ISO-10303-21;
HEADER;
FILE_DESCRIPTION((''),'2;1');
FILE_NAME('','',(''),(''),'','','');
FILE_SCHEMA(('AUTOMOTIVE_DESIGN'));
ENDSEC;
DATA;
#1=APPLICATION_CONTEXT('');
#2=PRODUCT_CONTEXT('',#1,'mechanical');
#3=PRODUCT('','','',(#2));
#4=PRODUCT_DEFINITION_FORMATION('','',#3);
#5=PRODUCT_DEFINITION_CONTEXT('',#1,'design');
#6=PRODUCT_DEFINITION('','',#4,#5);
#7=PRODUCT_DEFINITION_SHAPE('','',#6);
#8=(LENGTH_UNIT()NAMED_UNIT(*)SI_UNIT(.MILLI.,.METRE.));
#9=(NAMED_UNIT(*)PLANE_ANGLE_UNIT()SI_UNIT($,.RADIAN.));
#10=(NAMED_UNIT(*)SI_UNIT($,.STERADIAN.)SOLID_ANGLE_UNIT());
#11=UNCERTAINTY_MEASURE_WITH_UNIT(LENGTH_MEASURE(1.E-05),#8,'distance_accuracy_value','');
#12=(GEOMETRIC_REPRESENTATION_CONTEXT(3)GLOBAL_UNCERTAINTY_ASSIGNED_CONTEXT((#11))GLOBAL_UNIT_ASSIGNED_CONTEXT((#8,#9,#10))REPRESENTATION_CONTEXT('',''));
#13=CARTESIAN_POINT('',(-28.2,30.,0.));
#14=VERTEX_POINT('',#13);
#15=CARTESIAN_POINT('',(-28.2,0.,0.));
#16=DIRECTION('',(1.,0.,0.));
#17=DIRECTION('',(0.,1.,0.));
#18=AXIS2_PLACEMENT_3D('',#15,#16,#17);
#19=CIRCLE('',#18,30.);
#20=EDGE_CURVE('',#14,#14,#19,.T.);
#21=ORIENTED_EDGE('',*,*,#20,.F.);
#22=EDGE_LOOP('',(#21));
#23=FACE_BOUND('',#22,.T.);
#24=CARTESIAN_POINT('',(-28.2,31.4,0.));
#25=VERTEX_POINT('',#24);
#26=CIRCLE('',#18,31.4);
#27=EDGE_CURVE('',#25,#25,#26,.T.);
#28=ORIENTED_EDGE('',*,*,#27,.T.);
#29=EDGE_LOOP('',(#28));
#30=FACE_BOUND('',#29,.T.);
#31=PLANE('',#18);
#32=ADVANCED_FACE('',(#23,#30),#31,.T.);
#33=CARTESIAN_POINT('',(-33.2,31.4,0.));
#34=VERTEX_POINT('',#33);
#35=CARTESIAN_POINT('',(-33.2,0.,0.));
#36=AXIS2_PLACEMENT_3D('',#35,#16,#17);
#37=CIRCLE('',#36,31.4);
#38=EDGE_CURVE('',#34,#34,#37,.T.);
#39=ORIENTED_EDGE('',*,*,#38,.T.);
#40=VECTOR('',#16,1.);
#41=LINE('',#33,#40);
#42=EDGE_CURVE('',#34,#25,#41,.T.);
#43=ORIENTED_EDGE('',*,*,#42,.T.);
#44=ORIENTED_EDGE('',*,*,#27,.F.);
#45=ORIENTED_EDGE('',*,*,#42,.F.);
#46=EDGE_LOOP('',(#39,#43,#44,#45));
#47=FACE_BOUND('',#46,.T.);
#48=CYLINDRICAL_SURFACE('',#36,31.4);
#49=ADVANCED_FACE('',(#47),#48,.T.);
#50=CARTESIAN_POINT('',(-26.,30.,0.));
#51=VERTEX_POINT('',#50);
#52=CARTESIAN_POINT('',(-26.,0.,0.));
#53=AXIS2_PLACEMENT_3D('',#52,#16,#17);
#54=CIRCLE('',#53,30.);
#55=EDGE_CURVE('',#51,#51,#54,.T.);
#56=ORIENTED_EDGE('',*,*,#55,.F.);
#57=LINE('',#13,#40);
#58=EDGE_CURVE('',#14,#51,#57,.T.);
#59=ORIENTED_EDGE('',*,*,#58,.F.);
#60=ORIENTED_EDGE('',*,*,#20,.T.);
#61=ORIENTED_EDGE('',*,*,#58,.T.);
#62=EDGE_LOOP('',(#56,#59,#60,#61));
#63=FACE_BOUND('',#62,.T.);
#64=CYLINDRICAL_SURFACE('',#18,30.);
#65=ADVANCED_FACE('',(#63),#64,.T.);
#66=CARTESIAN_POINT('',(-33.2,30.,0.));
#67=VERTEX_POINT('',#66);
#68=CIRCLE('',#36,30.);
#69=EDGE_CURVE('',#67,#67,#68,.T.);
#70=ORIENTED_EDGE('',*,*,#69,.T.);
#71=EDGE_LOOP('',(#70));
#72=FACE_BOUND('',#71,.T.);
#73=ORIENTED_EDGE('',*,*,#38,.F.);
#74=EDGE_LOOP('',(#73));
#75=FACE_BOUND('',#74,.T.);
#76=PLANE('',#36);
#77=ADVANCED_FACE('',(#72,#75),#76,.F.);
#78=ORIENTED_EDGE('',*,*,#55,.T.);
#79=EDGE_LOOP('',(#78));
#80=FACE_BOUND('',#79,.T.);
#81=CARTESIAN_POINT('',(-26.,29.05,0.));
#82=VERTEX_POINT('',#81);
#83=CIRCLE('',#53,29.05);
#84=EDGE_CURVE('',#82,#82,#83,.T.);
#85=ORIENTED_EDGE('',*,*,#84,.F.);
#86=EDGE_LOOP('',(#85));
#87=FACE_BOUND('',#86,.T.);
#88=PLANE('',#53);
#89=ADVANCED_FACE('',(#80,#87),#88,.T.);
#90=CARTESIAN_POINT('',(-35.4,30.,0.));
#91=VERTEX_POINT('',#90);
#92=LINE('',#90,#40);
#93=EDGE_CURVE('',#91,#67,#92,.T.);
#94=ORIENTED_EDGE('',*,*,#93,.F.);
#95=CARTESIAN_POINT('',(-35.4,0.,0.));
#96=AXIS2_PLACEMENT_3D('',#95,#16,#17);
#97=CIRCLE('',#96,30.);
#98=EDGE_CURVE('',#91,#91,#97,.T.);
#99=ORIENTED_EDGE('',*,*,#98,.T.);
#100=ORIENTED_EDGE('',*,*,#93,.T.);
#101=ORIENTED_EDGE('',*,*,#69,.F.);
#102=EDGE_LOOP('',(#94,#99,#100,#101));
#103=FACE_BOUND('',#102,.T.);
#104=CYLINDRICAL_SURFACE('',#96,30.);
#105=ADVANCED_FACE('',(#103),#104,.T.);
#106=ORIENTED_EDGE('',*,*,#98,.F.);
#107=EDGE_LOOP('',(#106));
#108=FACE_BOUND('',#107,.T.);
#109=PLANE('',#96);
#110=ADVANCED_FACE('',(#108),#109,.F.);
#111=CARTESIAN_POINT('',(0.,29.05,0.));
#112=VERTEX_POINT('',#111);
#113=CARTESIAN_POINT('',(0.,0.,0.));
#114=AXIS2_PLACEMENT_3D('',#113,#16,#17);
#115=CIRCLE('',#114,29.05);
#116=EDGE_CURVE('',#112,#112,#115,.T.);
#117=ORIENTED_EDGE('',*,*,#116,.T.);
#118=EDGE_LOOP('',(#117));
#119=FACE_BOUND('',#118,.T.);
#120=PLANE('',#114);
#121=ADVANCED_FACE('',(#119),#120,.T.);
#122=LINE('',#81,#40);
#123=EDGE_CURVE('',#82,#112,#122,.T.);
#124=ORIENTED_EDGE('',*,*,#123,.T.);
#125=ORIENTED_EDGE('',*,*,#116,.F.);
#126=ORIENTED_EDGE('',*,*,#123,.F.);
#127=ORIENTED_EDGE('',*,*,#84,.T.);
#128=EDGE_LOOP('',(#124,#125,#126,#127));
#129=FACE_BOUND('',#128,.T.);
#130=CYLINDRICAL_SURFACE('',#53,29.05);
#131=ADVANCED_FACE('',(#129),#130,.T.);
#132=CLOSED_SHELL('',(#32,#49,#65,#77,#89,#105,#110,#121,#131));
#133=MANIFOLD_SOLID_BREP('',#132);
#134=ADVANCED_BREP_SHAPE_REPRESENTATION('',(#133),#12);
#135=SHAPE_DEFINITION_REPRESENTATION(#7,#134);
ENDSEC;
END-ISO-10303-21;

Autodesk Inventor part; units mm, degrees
ref_plane "YZ Plane" through (0, 0, 0) normal (1, 0, 0) x (0, 1, 0)
ref_plane "XZ Plane" through (0, 0, 0) normal (0, 1, 0) x (-1, 0, 0)
ref_plane "XY Plane" through (0, 0, 0) normal (0, 0, 1) x (1, 0, 0)
sketch "Náčrt1" plane through (0, 0, 0) normal (0, 0, 1) x (1, 0, 0)
  line L0 (-42.48, 0) -> (7.08, 0) projected
  line L1 (0, 37.68) -> (0, -6.28) projected
  line L2 (-35.4, 0) -> (0, 0)
  line L3 (-35.4, 0) -> (-35.4, 30)
  line L4 (-35.4, 30) -> (-33.2, 30)
  line L5 (-33.2, 30) -> (-33.2, 31.4)
  line L6 (-33.2, 31.4) -> (-28.2, 31.4)
  line L7 (-28.2, 31.4) -> (-28.2, 30)
  line L8 (-28.2, 30) -> (-26, 30)
  line L9 (-26, 30) -> (-26, 29.05)
  line L10 (-26, 29.05) -> (0, 29.05)
  line L11 (0, 29.05) -> (0, 0)
  point P0 (0, 0)
  point P1 (0, 29.05)
  dimension "d1" = 29.05
  dimension "d2" = 30
  dimension "d3" = 31.4
  dimension "d4" = 35.4
  dimension "d5" = 2.2
  dimension "d6" = 2.2
  dimension "d7" = 5
revolve "Rotace1" add sketch "Náčrt1" angle 360 about axis through (0, 0, 0) along (1, 0, 0)
properties part number "prop_meter"
